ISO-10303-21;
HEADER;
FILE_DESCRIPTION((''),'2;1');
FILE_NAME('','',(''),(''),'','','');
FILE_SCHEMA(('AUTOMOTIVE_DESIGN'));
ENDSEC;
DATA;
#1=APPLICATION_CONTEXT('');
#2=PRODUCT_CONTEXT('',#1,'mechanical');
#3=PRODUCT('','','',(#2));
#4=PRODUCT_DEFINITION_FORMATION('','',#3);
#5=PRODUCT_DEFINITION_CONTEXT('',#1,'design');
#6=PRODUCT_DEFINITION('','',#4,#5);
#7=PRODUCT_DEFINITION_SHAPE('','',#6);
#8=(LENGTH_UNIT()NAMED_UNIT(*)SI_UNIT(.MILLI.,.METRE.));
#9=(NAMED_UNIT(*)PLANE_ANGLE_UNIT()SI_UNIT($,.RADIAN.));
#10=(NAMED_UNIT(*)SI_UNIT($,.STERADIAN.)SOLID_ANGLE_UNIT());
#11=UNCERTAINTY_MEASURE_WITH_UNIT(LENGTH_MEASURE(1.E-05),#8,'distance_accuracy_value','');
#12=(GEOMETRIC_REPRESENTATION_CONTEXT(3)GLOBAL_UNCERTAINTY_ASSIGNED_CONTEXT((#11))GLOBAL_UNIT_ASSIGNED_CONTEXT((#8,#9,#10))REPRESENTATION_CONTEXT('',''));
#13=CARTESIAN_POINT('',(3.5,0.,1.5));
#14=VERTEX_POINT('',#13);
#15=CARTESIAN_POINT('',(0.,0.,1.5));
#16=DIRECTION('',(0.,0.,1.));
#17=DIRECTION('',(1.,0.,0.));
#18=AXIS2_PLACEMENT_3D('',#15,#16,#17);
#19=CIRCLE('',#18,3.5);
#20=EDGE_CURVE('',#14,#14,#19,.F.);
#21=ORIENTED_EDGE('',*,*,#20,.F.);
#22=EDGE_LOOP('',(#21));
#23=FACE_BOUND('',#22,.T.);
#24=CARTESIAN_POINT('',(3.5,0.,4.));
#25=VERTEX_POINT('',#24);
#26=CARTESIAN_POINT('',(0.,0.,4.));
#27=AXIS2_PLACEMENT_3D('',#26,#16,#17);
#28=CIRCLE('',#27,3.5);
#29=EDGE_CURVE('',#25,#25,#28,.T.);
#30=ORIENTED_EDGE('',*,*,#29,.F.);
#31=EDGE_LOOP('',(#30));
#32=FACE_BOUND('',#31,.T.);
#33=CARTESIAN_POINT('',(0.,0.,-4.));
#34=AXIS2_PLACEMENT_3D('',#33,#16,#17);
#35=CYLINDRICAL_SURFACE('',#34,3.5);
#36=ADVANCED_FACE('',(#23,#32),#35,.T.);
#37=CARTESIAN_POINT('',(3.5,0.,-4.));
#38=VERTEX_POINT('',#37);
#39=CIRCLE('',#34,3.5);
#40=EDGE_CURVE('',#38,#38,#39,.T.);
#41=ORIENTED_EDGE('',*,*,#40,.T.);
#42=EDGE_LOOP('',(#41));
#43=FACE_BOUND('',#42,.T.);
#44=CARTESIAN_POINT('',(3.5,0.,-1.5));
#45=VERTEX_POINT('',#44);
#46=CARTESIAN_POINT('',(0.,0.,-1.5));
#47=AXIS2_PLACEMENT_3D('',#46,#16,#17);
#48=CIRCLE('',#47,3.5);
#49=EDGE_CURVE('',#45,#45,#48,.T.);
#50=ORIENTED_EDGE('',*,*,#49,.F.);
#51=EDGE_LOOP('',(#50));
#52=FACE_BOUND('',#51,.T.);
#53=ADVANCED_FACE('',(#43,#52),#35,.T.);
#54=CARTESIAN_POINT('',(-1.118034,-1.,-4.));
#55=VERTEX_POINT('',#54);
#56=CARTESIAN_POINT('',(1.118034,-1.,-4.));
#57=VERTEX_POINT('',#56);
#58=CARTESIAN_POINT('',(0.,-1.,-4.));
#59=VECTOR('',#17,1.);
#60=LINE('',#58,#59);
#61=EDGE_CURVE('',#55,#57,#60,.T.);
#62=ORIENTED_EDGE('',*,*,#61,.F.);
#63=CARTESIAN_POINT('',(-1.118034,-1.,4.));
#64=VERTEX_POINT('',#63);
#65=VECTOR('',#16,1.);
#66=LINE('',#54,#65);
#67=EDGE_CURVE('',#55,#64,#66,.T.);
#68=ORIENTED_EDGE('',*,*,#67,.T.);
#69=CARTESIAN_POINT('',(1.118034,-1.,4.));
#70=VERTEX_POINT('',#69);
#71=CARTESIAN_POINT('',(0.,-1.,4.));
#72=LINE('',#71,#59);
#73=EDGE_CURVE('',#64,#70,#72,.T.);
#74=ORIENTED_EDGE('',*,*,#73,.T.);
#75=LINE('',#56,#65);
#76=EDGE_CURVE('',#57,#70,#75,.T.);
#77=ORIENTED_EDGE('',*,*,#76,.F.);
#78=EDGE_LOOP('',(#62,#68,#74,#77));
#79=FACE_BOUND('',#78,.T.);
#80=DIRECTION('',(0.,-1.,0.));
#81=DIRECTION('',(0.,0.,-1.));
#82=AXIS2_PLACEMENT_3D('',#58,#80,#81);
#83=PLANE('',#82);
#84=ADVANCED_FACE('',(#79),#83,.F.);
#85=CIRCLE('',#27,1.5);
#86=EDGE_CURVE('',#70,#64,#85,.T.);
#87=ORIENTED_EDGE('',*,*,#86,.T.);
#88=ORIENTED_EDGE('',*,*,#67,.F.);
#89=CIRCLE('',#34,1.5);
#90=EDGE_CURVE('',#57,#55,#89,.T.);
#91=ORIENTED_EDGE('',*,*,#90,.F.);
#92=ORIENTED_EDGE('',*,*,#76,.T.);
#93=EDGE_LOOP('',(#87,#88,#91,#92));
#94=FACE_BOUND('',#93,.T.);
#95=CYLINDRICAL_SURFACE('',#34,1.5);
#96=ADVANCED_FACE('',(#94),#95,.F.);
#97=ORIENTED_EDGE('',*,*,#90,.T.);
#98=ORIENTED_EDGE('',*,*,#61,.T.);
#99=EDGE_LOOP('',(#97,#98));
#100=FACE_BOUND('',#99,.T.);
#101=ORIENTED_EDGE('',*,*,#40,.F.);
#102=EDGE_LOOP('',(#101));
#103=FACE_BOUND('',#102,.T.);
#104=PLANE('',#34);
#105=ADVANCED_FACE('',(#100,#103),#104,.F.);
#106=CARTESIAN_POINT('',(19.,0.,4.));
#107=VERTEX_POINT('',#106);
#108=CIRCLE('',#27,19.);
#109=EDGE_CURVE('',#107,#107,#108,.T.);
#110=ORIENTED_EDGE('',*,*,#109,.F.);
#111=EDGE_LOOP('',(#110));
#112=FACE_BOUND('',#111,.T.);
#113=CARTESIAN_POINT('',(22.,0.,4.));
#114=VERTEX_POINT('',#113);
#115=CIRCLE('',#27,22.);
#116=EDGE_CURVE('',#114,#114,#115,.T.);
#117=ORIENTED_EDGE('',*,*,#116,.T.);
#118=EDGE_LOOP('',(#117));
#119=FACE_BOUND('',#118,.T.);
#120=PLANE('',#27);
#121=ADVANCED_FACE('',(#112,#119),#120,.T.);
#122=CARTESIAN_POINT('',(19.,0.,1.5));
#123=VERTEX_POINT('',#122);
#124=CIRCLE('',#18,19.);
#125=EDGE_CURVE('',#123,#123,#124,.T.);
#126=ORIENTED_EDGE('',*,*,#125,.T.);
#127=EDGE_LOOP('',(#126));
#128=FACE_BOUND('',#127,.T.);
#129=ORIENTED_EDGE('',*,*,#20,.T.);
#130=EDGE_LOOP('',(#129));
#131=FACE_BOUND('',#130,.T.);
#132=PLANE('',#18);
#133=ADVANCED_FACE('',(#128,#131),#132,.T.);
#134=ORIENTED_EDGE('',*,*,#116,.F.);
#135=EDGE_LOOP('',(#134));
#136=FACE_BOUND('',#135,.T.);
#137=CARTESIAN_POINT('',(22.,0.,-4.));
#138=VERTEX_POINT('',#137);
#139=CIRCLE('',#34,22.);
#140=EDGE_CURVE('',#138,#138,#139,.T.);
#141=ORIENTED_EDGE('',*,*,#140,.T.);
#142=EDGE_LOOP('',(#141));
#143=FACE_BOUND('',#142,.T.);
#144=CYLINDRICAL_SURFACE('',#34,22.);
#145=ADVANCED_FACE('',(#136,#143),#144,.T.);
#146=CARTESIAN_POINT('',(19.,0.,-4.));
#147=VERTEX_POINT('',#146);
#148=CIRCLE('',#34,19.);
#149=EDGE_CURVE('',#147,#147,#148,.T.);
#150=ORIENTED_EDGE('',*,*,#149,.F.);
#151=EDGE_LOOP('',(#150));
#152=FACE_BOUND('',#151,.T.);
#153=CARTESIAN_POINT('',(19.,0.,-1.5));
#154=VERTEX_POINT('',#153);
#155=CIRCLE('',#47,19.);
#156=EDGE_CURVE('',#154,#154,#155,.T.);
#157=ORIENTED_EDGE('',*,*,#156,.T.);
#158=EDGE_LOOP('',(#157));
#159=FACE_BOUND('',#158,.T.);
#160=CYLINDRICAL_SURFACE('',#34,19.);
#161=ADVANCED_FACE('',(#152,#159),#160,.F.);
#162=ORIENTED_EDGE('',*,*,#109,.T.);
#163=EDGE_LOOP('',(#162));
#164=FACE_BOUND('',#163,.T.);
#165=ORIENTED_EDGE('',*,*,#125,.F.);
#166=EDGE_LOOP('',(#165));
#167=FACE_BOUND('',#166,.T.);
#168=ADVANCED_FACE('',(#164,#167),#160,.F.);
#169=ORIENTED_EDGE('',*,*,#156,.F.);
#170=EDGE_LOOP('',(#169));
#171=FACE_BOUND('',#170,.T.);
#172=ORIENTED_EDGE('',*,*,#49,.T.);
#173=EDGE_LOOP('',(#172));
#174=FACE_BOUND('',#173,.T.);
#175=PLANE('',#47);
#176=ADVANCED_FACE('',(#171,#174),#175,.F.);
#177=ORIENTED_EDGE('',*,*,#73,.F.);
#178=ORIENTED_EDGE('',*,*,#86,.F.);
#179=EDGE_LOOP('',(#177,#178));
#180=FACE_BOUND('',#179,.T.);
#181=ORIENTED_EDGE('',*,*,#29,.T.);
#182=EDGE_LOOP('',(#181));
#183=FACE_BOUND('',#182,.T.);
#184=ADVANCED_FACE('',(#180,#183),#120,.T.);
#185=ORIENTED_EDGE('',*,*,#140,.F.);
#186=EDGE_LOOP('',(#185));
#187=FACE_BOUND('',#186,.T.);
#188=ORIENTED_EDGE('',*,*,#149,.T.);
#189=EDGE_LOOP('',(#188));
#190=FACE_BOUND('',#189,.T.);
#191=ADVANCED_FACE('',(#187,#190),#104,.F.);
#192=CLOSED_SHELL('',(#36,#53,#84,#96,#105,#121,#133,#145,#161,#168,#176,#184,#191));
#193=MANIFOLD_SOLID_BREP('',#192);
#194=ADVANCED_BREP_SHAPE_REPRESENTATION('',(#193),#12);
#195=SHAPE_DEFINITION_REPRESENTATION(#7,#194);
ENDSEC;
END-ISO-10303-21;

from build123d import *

# Parameters (mm, degrees)
BOSS_EXTRUDE1_DEPTH        = 4
BOSS_EXTRUDE1_DEPTH_BACK   = 4
SKETCH1_R                  = 22
SKETCH1_R_2                = 19
BOSS_EXTRUDE1_2_DEPTH      = 4
BOSS_EXTRUDE1_2_DEPTH_BACK = 4
SKETCH1_R_3                = 3.5
BOSS_EXTRUDE2_DEPTH        = 1.5
BOSS_EXTRUDE2_DEPTH_BACK   = 1.5
SKETCH1_3_R                = 19
SKETCH1_3_R_2              = 3.5


with BuildPart() as part:
    # Sketch1 → Boss-Extrude1 (new, two sides: drawn at the far end of the back side and taken through both)
    with BuildSketch(Plane.XY.offset(-BOSS_EXTRUDE1_DEPTH_BACK)):
        Circle(SKETCH1_R)
        Circle(SKETCH1_R_2, mode=Mode.SUBTRACT)
    extrude(amount=BOSS_EXTRUDE1_DEPTH + BOSS_EXTRUDE1_DEPTH_BACK)



with BuildPart() as body_2:
    # Sketch1 → Boss-Extrude1 2 (new, two sides: drawn at the far end of the back side and taken through both)
    with BuildSketch(Plane.XY.offset(-BOSS_EXTRUDE1_2_DEPTH_BACK)):
        Circle(SKETCH1_R_3)
        with BuildLine():
            Line((1.118033989, -1), (-1.118033989, -1))
            ThreePointArc((-1.118033989, -1), (0, 1.5), (1.118033989, -1))
        make_face(mode=Mode.SUBTRACT)
    extrude(amount=BOSS_EXTRUDE1_2_DEPTH + BOSS_EXTRUDE1_2_DEPTH_BACK)


with BuildPart() as part_1:
    add(part.part)

    add(body_2.part)  # Boss-Extrude2 merges body 2
    # Sketch1<3> → Boss-Extrude2 (add, two sides: drawn at the far end of the back side and taken through both)
    with BuildSketch(Plane.XY.offset(-BOSS_EXTRUDE2_DEPTH_BACK)):
        Circle(SKETCH1_3_R)
        Circle(SKETCH1_3_R_2, mode=Mode.SUBTRACT)
    extrude(amount=BOSS_EXTRUDE2_DEPTH + BOSS_EXTRUDE2_DEPTH_BACK)


solid = part_1.part
